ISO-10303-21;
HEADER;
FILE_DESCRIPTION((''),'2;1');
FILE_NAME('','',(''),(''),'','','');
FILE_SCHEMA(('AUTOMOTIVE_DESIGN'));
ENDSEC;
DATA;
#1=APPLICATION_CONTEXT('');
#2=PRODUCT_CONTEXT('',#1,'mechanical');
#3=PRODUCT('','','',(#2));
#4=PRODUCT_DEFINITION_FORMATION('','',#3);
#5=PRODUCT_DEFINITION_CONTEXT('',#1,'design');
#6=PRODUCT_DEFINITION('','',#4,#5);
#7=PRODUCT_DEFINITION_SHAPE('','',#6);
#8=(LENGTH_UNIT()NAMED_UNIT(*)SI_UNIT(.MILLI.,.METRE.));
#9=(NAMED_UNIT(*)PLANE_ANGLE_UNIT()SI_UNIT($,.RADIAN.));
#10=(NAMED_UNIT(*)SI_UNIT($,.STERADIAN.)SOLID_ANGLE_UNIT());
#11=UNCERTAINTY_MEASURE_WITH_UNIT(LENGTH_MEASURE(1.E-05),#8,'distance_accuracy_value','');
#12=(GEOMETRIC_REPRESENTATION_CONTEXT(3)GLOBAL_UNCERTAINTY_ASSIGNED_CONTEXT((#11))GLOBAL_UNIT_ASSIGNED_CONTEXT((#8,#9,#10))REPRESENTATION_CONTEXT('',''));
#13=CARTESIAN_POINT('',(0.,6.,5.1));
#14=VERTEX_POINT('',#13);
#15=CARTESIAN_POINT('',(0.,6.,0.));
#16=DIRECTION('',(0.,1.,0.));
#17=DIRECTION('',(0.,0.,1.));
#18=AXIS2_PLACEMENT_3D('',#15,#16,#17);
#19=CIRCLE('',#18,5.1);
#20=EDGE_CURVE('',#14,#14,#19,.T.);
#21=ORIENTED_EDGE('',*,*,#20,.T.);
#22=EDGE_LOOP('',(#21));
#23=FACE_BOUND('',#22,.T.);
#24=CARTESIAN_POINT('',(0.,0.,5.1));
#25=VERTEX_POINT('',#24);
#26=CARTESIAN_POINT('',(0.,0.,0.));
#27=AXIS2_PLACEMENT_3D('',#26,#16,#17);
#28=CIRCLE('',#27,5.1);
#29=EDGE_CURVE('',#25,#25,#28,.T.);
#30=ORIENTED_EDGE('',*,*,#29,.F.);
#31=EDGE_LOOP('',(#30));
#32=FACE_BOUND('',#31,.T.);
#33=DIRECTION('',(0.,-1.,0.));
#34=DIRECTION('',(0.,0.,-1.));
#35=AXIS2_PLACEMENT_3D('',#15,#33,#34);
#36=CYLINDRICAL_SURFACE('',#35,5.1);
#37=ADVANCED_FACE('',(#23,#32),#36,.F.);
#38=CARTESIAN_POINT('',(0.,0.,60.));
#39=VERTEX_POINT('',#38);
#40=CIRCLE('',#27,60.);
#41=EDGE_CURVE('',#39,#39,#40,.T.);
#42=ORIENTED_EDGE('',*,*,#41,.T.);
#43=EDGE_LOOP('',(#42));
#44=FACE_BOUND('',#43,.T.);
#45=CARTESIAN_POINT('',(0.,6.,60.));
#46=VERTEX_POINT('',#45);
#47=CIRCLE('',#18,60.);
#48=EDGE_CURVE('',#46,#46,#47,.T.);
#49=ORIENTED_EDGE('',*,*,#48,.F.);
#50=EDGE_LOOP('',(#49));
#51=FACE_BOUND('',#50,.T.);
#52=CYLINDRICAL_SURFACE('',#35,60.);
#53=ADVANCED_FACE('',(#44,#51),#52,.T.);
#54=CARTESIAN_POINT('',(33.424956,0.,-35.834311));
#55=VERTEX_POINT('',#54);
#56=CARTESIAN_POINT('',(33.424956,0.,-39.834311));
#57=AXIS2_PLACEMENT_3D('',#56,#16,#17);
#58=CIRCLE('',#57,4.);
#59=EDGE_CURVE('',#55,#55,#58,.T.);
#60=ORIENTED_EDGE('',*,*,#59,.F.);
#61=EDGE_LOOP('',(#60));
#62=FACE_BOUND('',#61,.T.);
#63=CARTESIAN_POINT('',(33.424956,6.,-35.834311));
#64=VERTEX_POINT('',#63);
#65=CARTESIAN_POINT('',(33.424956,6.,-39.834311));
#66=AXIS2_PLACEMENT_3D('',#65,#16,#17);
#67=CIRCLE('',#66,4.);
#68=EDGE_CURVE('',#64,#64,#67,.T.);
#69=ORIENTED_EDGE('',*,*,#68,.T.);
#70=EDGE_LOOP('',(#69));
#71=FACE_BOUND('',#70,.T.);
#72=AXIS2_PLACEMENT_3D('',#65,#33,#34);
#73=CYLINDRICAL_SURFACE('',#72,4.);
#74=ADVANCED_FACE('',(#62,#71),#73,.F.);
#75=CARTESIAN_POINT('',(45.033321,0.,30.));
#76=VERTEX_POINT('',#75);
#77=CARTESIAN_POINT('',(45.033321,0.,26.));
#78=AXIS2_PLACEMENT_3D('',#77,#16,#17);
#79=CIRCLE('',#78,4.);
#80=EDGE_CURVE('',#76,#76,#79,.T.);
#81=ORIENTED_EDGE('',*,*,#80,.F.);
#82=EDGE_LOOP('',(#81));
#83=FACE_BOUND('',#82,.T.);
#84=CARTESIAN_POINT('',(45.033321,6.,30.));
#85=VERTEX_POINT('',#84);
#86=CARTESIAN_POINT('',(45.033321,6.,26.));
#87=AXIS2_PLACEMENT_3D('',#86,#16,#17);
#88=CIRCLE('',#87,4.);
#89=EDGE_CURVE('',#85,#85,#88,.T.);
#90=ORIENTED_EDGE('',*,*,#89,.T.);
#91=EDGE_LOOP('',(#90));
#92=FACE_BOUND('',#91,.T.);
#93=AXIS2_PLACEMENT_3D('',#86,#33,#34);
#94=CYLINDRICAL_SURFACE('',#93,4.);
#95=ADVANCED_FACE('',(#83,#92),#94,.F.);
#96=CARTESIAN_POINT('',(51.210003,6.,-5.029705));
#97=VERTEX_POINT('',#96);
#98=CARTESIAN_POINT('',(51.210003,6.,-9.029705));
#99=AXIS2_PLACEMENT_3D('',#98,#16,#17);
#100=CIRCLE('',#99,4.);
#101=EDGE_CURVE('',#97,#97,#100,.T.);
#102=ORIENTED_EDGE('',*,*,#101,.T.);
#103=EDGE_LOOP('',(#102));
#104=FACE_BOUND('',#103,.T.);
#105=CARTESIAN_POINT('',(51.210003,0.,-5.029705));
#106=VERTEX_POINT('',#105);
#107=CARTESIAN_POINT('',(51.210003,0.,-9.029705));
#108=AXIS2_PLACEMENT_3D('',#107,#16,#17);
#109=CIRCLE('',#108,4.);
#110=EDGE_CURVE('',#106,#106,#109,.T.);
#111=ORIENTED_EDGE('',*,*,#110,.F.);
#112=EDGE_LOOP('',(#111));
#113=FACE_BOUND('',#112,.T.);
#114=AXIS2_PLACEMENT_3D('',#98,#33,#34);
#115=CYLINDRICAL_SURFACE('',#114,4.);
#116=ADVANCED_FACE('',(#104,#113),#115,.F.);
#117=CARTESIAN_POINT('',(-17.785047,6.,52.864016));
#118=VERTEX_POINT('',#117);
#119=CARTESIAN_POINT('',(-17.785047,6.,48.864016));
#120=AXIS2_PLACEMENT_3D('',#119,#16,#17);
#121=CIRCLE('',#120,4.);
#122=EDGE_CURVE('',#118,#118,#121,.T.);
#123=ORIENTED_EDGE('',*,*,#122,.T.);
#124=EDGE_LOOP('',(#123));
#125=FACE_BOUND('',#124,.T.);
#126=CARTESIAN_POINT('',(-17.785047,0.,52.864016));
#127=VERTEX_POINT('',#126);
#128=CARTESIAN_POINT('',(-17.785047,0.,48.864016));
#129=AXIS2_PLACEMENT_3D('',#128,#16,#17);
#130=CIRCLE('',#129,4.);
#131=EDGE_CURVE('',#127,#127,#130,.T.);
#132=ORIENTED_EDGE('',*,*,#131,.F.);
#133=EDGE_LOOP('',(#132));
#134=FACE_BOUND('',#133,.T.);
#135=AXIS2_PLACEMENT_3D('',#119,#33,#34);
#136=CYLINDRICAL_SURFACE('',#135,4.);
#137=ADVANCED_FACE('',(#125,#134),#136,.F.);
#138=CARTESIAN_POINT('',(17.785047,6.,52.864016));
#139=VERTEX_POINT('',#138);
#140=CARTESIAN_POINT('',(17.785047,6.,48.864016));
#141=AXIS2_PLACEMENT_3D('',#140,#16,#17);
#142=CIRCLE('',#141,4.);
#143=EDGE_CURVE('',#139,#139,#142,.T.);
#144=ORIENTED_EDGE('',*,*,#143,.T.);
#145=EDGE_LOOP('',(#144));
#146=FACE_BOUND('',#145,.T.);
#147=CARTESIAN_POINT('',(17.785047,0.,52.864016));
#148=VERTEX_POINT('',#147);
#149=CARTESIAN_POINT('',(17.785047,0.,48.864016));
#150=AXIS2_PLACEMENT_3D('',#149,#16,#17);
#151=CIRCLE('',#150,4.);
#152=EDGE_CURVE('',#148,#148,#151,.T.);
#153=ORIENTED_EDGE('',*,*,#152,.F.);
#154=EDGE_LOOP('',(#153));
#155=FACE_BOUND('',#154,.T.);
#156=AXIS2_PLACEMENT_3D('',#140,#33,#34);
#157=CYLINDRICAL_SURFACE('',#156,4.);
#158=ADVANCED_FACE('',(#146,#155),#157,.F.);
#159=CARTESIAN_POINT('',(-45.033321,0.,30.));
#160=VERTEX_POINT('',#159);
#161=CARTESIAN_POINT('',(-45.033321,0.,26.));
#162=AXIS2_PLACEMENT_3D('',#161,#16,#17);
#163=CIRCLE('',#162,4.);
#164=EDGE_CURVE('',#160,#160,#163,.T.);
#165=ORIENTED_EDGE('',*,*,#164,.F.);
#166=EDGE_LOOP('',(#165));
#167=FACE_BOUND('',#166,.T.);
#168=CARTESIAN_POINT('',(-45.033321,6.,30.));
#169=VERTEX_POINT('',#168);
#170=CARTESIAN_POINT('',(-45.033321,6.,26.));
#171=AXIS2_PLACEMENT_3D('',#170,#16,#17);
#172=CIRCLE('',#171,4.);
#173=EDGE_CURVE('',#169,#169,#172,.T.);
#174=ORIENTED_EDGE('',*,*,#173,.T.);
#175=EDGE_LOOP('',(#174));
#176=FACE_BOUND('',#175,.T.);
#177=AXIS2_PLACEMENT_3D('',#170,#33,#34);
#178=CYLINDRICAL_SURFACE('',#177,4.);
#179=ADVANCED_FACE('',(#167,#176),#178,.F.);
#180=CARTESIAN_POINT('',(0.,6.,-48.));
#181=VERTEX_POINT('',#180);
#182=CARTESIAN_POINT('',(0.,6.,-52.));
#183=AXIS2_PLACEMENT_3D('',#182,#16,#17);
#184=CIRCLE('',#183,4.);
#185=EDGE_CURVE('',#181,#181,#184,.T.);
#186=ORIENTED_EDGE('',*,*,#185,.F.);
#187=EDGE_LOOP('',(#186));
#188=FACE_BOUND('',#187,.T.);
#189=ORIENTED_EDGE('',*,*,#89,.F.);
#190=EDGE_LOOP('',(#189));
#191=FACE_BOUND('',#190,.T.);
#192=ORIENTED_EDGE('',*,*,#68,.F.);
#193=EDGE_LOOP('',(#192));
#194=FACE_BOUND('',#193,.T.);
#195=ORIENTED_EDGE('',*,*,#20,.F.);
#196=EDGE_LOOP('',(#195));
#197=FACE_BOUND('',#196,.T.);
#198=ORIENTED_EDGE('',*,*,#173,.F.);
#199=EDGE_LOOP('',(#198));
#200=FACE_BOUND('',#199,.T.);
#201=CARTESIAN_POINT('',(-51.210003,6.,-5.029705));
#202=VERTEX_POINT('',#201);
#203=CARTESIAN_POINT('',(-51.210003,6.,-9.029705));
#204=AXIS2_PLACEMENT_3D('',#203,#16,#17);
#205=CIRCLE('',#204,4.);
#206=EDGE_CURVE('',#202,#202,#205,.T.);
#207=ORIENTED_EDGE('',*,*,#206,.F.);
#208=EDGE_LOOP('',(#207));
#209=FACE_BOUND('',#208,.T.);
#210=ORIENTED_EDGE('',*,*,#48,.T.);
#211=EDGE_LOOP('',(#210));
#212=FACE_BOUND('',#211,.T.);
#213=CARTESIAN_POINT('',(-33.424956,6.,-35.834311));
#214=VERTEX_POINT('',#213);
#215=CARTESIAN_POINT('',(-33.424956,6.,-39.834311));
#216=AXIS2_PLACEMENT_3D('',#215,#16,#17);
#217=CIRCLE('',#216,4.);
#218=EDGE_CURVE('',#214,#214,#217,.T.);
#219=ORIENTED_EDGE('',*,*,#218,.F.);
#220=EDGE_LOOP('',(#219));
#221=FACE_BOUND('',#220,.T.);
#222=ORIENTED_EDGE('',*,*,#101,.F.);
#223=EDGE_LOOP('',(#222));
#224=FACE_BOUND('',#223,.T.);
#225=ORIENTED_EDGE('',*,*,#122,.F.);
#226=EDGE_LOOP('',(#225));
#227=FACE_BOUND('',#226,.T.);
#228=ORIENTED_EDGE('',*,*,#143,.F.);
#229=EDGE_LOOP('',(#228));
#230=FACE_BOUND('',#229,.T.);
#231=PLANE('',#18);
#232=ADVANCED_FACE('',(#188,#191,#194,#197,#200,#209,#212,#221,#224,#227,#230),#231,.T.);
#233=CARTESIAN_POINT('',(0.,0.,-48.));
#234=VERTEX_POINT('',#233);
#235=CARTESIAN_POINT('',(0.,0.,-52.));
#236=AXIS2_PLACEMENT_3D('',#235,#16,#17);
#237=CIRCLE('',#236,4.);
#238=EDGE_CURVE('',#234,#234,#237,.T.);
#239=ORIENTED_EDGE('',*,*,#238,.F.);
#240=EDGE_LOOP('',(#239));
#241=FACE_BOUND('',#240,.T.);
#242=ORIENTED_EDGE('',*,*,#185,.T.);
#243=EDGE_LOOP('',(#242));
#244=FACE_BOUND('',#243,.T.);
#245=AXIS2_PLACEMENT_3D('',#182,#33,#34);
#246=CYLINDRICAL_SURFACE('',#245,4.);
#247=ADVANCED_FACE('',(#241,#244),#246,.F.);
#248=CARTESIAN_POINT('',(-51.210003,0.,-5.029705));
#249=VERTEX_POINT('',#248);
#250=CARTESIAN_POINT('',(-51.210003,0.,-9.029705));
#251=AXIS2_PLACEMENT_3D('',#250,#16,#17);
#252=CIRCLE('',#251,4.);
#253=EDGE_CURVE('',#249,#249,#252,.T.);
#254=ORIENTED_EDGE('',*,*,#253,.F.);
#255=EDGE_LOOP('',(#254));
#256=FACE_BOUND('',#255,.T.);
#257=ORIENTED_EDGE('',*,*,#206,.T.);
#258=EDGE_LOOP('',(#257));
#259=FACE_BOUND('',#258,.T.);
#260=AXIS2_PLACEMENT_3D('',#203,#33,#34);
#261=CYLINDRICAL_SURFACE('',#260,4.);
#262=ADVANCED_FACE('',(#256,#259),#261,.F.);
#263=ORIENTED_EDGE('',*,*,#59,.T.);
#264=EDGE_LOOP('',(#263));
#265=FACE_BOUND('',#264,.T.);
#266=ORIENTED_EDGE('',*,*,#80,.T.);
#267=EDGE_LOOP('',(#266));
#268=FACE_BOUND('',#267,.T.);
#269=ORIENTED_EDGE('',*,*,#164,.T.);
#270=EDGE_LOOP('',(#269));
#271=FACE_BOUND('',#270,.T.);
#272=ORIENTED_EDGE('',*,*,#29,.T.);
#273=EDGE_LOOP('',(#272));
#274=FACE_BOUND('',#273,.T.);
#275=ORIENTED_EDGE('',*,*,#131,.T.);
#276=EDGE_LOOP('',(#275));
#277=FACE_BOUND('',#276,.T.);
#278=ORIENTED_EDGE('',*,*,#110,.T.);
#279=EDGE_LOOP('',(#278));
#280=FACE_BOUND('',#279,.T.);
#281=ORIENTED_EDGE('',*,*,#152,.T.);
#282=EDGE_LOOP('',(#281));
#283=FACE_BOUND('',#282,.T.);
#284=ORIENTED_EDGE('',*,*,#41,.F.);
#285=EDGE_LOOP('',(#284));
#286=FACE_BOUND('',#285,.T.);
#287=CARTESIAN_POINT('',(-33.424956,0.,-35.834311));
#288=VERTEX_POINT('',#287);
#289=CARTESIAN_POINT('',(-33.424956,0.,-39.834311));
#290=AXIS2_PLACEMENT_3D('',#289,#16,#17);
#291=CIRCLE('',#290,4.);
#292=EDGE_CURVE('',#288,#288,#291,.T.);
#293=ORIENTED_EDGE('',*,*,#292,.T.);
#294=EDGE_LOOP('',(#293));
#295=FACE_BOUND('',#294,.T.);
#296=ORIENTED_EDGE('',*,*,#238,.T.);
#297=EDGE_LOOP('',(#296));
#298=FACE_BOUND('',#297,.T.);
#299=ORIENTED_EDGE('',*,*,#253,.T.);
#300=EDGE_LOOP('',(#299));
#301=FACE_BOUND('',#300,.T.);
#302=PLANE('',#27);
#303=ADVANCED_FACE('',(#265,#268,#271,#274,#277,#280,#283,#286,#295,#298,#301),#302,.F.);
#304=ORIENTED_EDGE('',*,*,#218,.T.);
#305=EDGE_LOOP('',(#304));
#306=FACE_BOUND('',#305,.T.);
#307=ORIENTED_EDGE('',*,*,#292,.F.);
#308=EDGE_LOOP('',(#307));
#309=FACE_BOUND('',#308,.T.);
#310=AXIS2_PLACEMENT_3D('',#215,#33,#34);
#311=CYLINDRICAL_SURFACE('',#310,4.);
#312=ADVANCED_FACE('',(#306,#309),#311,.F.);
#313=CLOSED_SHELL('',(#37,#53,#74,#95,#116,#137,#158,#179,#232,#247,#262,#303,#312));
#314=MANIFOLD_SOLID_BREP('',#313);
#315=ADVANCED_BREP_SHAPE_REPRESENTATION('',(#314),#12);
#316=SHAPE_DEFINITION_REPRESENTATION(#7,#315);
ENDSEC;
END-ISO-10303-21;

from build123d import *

# Parameters (mm, degrees)
SKETCH_1_R      = 60
SKETCH_1_R_2    = 4
SKETCH_1_R_3    = 5.1
EXTRUDE_1_DEPTH = 6


with BuildPart() as part:
    # 草图1 → 凸台-拉伸1 (new body)
    with BuildSketch(Plane(origin=(0, 0, 0), x_dir=(1, 0, 0), z_dir=(0, 1, 0))):
        with Locations(Location((0, 0, 0), (0, 0, 270))):
            Circle(SKETCH_1_R)
        with Locations(Location((0, 52, 0), (0, 0, 270))):
            Circle(SKETCH_1_R_2, mode=Mode.SUBTRACT)
        with Locations(Location((33.424955704, 39.834311042, 0), (0, 0, 270))):
            Circle(SKETCH_1_R_2, mode=Mode.SUBTRACT)
        with Locations(Location((51.210003157, 9.029705239, 0), (0, 0, 270))):
            Circle(SKETCH_1_R_2, mode=Mode.SUBTRACT)
        with Locations(Location((45.033320997, -26, 0), (0, 0, 270))):
            Circle(SKETCH_1_R_2, mode=Mode.SUBTRACT)
        with Locations(Location((17.785047453, -48.864016281, 0), (0, 0, 270))):
            Circle(SKETCH_1_R_2, mode=Mode.SUBTRACT)
        with Locations(Location((-17.785047453, -48.864016281, 0), (0, 0, 270))):
            Circle(SKETCH_1_R_2, mode=Mode.SUBTRACT)
        with Locations(Location((-45.033320997, -26, 0), (0, 0, 270))):
            Circle(SKETCH_1_R_2, mode=Mode.SUBTRACT)
        with Locations(Location((-51.210003157, 9.029705239, 0), (0, 0, 270))):
            Circle(SKETCH_1_R_2, mode=Mode.SUBTRACT)
        with Locations(Location((-33.424955704, 39.834311042, 0), (0, 0, 270))):
            Circle(SKETCH_1_R_2, mode=Mode.SUBTRACT)
        with Locations(Location((0, 0, 0), (0, 0, 270))):
            Circle(SKETCH_1_R_3, mode=Mode.SUBTRACT)
    extrude(amount=EXTRUDE_1_DEPTH)


solid = part.part
